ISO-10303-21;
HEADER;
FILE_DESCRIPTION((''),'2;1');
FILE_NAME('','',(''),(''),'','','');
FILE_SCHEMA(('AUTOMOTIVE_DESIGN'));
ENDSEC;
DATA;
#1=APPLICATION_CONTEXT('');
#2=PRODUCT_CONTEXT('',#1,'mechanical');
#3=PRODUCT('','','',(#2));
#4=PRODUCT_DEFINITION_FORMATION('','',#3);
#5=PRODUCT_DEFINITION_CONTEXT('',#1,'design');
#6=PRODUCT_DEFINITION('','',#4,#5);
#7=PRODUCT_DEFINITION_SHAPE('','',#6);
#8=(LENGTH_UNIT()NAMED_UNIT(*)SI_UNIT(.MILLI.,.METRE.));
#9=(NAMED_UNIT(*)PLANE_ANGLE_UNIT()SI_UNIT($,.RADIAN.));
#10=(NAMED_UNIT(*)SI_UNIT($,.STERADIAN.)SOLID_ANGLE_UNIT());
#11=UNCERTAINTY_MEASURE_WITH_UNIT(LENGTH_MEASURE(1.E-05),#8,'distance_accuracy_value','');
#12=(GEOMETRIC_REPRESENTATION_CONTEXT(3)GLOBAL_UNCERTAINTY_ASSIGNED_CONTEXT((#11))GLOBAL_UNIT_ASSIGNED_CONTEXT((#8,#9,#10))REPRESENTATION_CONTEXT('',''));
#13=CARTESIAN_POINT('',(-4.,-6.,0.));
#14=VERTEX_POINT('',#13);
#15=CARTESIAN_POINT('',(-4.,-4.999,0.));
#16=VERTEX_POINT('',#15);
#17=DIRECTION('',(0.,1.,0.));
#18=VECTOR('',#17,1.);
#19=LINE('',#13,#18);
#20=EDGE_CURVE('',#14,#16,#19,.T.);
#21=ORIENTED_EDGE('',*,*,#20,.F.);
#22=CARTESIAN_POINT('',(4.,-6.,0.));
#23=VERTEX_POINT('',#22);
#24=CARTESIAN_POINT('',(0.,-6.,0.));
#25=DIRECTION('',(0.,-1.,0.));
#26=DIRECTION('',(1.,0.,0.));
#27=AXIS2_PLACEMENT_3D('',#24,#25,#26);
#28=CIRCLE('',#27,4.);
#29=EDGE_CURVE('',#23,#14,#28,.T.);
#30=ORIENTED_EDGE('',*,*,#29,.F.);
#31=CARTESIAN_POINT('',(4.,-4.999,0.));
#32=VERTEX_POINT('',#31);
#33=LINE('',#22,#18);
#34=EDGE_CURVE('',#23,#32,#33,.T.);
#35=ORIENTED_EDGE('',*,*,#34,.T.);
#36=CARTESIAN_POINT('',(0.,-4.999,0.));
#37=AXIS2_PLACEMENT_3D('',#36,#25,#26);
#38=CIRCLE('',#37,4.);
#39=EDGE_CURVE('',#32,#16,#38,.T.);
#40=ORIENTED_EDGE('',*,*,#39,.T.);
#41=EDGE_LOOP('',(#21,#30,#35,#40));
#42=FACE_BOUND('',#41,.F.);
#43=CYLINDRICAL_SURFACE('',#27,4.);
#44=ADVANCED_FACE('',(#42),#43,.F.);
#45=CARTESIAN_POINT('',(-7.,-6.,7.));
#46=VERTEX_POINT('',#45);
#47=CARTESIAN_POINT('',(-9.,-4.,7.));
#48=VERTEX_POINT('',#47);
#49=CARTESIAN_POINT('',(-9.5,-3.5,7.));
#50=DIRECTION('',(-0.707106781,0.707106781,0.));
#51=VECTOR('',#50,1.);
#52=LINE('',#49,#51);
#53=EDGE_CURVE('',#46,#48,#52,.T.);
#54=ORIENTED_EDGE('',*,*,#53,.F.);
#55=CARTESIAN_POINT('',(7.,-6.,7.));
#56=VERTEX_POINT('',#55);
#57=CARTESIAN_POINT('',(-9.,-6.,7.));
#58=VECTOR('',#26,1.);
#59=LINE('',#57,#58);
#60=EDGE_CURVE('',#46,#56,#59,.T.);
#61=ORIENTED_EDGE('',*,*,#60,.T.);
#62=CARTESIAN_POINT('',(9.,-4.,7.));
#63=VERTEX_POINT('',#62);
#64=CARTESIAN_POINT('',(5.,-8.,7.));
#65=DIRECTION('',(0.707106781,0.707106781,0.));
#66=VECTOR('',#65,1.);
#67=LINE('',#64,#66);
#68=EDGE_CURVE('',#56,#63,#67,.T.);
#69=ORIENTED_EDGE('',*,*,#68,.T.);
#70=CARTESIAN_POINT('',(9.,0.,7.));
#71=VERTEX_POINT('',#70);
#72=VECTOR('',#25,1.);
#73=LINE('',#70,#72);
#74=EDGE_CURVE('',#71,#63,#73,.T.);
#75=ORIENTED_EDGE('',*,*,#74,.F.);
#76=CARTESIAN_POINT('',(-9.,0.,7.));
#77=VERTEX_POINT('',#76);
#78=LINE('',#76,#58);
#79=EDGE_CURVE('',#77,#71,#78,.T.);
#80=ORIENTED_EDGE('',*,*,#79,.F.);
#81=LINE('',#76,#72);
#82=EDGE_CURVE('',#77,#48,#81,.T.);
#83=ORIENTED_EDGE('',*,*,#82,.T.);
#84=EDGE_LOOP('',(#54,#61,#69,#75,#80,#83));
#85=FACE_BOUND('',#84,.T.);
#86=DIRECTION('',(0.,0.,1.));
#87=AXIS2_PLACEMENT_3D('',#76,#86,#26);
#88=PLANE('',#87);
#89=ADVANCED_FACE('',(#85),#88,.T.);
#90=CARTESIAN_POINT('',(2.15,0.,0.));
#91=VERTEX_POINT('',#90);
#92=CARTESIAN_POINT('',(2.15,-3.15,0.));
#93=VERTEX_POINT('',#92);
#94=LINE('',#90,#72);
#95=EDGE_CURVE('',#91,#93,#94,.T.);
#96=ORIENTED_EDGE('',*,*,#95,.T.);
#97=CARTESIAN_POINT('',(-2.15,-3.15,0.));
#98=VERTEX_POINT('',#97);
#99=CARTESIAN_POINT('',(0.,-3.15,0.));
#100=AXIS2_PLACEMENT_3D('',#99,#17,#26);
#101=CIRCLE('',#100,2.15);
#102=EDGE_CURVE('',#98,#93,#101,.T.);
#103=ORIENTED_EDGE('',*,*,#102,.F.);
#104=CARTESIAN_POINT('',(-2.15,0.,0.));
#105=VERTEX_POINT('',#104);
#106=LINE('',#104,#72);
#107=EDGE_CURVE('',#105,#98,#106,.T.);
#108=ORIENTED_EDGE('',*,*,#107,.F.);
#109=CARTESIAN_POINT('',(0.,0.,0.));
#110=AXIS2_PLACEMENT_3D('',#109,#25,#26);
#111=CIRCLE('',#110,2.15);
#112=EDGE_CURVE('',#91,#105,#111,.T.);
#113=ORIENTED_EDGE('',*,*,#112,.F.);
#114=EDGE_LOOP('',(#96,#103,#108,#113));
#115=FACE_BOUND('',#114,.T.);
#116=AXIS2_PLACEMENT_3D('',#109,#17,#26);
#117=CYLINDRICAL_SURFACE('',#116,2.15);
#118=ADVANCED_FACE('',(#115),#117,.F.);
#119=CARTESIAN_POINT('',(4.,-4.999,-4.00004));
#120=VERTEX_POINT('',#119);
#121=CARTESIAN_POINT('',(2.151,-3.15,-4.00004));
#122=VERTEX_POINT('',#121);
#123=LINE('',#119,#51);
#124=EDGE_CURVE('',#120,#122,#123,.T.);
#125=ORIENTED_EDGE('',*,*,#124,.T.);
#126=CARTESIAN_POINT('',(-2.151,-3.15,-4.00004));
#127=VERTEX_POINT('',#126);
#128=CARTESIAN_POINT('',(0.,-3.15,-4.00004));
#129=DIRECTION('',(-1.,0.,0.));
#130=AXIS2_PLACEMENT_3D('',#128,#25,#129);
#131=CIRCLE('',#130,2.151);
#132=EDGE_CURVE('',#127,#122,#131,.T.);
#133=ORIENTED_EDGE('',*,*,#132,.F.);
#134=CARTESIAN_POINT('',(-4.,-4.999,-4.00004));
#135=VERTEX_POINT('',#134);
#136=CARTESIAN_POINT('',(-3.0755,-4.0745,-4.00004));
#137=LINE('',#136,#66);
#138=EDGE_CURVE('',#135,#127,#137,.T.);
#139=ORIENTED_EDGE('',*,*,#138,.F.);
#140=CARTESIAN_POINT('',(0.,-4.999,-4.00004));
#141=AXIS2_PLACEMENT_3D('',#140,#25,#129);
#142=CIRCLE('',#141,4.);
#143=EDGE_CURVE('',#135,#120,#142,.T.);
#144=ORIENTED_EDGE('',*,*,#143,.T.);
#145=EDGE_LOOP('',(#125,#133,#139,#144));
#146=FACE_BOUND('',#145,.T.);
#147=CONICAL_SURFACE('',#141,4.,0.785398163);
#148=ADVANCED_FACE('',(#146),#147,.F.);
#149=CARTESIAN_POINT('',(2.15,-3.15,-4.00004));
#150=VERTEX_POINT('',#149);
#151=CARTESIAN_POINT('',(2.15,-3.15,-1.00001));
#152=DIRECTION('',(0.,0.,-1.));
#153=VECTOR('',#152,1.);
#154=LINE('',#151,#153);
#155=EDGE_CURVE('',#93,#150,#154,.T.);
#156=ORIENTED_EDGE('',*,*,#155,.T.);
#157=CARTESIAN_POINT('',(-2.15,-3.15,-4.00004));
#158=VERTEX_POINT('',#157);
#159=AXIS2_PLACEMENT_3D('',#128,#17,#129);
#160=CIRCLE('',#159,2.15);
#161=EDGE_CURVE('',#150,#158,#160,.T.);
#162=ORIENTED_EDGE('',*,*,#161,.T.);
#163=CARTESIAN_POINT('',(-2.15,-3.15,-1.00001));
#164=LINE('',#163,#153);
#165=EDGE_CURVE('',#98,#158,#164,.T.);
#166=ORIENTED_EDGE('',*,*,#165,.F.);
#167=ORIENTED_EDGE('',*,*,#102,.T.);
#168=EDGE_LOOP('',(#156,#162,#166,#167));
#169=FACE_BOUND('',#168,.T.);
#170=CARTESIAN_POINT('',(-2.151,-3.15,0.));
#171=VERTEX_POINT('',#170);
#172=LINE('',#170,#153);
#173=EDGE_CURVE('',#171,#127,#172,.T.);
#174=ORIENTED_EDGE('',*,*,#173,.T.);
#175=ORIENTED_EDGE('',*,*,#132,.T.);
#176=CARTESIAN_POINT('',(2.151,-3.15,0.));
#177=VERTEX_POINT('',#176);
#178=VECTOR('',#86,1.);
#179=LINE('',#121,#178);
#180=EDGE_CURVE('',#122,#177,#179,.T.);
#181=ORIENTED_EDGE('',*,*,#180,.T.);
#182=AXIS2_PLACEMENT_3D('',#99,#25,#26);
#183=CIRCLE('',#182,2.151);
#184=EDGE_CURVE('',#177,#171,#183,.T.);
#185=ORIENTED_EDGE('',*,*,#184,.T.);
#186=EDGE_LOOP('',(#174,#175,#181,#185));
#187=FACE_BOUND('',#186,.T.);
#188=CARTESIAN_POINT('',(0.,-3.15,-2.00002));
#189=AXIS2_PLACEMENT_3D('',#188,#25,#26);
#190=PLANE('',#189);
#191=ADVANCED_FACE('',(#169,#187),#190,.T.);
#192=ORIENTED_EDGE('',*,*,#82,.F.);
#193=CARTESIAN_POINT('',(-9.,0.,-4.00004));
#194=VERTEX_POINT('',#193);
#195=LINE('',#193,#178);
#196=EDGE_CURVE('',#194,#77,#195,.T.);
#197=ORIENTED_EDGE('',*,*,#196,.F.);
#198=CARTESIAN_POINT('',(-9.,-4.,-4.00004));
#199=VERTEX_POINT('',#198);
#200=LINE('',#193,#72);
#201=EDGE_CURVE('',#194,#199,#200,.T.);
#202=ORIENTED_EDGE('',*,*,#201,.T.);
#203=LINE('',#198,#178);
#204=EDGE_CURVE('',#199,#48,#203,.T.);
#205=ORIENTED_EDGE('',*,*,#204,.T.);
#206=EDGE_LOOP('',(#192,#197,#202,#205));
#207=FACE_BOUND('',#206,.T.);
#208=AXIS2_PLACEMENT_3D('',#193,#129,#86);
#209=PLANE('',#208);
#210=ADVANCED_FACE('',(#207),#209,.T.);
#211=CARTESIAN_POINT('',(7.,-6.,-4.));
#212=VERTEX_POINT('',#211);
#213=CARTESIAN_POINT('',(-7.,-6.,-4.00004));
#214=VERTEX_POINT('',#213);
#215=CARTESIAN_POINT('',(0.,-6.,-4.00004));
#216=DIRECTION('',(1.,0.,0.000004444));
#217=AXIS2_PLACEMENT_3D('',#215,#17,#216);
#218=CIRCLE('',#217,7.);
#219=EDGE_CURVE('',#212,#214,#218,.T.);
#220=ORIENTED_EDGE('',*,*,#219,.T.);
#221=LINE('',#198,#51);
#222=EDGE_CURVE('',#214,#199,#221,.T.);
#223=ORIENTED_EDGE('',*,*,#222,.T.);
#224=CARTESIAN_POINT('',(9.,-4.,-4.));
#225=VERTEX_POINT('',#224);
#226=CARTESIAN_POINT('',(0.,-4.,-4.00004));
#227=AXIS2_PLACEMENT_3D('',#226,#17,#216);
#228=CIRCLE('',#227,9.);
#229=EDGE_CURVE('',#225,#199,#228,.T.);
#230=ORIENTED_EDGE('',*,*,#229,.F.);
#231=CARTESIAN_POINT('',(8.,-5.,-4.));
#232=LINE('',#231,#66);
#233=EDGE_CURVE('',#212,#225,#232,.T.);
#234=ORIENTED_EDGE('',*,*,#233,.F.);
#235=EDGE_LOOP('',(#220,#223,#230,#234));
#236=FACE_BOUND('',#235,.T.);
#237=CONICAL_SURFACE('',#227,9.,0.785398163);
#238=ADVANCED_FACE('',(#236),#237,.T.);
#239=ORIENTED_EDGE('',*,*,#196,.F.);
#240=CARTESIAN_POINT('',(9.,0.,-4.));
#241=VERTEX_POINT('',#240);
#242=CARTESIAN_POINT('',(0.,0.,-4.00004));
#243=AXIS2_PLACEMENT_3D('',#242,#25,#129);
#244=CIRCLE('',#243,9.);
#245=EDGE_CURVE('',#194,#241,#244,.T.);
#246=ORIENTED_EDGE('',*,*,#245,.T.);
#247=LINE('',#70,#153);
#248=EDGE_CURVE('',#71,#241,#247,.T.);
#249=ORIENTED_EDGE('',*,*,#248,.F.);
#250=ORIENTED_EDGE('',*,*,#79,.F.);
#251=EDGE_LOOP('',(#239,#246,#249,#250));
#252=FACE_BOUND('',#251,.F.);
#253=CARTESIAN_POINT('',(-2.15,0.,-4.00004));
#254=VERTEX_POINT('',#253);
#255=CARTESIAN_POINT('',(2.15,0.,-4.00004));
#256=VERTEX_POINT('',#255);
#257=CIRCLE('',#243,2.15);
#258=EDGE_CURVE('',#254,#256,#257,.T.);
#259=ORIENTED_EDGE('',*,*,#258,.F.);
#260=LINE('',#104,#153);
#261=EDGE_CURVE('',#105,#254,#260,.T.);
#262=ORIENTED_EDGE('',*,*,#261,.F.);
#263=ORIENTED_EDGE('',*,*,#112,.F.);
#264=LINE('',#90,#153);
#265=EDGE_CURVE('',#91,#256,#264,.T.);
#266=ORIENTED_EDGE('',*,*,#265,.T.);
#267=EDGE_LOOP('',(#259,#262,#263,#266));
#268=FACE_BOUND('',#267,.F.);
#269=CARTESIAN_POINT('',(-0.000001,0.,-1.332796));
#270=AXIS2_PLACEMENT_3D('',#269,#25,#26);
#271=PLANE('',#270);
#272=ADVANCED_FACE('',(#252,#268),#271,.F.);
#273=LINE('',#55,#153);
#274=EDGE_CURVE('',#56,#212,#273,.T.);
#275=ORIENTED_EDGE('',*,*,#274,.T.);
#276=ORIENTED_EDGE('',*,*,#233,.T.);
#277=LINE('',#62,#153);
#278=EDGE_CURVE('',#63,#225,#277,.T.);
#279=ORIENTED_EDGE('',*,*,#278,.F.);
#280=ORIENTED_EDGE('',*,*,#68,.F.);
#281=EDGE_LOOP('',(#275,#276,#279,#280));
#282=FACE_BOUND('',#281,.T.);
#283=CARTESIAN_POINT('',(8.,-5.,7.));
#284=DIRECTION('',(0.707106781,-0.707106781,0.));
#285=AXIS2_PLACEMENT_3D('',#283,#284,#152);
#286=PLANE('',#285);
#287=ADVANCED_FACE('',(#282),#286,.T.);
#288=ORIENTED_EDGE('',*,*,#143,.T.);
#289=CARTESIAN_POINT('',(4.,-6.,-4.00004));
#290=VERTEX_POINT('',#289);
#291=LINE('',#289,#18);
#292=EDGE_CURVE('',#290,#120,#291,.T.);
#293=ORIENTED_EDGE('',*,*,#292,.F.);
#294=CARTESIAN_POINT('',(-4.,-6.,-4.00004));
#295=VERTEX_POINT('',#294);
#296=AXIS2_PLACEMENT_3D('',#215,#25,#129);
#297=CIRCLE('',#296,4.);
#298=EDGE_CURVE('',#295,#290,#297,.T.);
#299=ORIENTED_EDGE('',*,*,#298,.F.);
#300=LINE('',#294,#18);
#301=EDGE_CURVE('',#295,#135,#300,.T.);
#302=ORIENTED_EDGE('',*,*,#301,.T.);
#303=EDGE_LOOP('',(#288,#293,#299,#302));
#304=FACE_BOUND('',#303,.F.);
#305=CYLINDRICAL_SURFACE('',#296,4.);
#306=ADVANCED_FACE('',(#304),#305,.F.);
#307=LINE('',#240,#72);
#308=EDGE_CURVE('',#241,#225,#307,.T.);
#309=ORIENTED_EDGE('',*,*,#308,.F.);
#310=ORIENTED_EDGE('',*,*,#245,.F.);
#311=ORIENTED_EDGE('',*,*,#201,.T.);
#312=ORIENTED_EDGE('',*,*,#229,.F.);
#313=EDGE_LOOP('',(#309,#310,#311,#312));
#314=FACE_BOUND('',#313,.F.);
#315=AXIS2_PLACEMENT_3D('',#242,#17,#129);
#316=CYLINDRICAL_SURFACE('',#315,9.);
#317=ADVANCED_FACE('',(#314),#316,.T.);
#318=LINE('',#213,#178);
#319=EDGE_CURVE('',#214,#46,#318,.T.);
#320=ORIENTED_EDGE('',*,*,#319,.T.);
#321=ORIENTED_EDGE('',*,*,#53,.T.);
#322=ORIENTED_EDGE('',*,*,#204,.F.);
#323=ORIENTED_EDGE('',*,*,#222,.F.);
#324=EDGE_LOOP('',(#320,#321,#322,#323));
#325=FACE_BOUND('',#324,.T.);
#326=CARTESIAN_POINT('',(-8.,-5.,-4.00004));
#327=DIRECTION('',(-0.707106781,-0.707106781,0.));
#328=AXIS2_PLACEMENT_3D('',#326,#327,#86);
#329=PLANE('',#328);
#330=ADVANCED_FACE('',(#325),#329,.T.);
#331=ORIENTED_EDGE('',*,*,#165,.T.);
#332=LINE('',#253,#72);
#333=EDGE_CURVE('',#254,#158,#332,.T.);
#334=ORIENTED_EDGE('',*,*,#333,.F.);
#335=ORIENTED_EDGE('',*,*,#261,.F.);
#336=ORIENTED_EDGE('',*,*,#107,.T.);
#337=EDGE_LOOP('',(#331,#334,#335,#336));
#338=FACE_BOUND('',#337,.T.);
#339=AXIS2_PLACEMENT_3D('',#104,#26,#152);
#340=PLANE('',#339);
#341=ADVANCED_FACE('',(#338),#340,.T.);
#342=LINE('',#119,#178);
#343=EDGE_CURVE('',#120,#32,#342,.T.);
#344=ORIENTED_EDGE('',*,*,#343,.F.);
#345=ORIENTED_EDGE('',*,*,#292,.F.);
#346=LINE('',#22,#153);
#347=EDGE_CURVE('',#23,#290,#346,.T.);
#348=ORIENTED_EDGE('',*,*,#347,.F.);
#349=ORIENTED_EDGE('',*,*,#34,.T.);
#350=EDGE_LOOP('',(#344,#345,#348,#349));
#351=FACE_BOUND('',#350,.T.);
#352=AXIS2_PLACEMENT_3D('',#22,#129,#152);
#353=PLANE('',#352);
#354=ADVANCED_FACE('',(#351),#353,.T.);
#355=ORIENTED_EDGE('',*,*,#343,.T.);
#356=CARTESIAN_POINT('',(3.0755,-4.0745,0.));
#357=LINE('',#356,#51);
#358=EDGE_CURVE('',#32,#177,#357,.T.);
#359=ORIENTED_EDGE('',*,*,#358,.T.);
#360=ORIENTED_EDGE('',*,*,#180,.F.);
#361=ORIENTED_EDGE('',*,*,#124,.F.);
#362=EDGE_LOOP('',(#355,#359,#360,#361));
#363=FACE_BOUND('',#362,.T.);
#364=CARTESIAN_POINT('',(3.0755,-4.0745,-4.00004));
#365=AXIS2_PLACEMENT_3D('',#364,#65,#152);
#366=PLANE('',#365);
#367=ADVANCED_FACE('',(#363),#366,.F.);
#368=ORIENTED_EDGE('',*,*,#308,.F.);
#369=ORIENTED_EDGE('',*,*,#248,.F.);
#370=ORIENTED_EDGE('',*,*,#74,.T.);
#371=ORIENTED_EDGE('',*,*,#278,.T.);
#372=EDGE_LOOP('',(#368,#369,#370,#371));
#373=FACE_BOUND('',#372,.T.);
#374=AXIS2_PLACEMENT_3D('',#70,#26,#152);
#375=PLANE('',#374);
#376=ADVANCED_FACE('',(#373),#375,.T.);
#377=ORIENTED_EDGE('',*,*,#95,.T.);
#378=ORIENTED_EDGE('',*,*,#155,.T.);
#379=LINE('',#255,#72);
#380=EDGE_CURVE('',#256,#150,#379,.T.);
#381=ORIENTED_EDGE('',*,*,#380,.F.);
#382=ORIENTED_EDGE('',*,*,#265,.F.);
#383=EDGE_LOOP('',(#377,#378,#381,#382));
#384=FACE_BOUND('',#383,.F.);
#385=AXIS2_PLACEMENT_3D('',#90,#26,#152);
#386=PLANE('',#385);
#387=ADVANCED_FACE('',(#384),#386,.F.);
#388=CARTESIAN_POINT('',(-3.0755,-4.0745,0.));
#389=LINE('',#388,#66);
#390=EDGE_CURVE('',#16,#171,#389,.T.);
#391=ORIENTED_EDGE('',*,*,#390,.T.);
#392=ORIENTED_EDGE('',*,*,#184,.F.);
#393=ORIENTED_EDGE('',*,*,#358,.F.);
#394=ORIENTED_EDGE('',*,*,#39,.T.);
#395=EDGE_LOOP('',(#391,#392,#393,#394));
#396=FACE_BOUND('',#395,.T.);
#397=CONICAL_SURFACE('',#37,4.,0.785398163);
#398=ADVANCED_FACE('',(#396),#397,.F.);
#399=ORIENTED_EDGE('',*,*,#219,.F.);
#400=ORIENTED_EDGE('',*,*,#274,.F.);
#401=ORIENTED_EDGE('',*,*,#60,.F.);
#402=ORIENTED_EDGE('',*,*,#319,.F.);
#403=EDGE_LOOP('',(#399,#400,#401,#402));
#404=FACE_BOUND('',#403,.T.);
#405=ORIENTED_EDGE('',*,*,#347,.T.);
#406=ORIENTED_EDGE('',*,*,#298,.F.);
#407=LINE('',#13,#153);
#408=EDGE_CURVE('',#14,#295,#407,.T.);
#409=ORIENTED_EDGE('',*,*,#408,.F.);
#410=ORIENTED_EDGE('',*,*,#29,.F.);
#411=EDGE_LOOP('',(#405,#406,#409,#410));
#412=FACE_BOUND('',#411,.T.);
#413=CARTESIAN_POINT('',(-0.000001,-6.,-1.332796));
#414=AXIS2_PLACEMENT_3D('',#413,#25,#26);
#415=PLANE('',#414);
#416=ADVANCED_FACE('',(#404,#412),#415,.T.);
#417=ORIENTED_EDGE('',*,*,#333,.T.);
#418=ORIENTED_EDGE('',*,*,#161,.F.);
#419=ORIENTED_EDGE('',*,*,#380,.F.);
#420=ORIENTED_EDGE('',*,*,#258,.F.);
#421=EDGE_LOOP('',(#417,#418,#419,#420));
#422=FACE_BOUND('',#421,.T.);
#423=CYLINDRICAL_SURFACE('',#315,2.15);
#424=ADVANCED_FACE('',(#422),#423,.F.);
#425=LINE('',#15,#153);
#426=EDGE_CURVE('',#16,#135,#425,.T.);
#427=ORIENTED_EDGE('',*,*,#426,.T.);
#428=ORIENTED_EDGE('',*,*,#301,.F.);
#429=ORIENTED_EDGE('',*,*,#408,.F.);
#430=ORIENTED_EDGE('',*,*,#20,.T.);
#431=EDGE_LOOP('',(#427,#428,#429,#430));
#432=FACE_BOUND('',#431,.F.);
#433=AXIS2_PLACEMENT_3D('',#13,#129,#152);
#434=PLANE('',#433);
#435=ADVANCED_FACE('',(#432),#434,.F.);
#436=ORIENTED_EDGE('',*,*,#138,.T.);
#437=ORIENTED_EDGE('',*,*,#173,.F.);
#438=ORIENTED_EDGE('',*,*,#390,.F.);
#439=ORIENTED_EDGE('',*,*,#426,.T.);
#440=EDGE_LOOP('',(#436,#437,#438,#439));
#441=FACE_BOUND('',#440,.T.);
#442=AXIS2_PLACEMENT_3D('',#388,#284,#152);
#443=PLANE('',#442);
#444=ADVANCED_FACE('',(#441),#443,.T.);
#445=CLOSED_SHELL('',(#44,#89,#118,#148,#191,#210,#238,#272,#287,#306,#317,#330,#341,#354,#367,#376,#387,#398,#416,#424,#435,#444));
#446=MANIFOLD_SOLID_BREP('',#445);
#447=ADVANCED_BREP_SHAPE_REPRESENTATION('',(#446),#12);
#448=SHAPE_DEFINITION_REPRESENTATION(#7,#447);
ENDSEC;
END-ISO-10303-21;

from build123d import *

# Parameters (mm, degrees)
PAD_DEPTH       = 6
POCKET_DEPTH    = 2.85
CHAMFER_SIZE    = 1.849
CHAMFER001_SIZE = 2


with BuildPart() as part:
    # Sketch → Pad (new body)
    with BuildSketch(Plane.XZ):
        with BuildLine():
            ThreePointArc((-9, -4.00004), (2e-05, -13.00004), (9, -4))
            Line((9, 7), (9, -4))
            Line((-9, 7), (9, 7))
            Line((-9, -4.00004), (-9, 7))
        make_face()
        with BuildLine():
            ThreePointArc((2.15, 0), (0, 2.15), (-2.15, 0))
            Line((-2.15, 0), (-2.15, -4.00004))
            ThreePointArc((-2.15, -4.00004), (0, -6.15004), (2.15, -4.00004))
            Line((2.15, 0), (2.15, -4.00004))
        make_face(mode=Mode.SUBTRACT)
    extrude(amount=PAD_DEPTH)

    # Sketch001 → Pocket (cut)
    with BuildSketch(Plane.XZ.offset(6)):
        with BuildLine():
            ThreePointArc((4, 0), (0, 4), (-4, 0))
            Line((-4, 0), (-4, -4.00004))
            ThreePointArc((-4, -4.00004), (0, -8.00004), (4, -4.00004))
            Line((4, 0), (4, -4.00004))
        make_face()
    extrude(amount=-POCKET_DEPTH, mode=Mode.SUBTRACT)

    # Chamfer
    chamfer_edges = [part.edges().sort_by_distance(p)[0] for p in [
        (-4, -3.15, -2.00002),
    ]]
    chamfer(chamfer_edges, length=CHAMFER_SIZE)

    # Chamfer001
    chamfer001_edges = [part.edges().sort_by_distance(p)[0] for p in [
        (-9, -6, 1.49998),
    ]]
    chamfer(chamfer001_edges, length=CHAMFER001_SIZE)


solid = part.part
